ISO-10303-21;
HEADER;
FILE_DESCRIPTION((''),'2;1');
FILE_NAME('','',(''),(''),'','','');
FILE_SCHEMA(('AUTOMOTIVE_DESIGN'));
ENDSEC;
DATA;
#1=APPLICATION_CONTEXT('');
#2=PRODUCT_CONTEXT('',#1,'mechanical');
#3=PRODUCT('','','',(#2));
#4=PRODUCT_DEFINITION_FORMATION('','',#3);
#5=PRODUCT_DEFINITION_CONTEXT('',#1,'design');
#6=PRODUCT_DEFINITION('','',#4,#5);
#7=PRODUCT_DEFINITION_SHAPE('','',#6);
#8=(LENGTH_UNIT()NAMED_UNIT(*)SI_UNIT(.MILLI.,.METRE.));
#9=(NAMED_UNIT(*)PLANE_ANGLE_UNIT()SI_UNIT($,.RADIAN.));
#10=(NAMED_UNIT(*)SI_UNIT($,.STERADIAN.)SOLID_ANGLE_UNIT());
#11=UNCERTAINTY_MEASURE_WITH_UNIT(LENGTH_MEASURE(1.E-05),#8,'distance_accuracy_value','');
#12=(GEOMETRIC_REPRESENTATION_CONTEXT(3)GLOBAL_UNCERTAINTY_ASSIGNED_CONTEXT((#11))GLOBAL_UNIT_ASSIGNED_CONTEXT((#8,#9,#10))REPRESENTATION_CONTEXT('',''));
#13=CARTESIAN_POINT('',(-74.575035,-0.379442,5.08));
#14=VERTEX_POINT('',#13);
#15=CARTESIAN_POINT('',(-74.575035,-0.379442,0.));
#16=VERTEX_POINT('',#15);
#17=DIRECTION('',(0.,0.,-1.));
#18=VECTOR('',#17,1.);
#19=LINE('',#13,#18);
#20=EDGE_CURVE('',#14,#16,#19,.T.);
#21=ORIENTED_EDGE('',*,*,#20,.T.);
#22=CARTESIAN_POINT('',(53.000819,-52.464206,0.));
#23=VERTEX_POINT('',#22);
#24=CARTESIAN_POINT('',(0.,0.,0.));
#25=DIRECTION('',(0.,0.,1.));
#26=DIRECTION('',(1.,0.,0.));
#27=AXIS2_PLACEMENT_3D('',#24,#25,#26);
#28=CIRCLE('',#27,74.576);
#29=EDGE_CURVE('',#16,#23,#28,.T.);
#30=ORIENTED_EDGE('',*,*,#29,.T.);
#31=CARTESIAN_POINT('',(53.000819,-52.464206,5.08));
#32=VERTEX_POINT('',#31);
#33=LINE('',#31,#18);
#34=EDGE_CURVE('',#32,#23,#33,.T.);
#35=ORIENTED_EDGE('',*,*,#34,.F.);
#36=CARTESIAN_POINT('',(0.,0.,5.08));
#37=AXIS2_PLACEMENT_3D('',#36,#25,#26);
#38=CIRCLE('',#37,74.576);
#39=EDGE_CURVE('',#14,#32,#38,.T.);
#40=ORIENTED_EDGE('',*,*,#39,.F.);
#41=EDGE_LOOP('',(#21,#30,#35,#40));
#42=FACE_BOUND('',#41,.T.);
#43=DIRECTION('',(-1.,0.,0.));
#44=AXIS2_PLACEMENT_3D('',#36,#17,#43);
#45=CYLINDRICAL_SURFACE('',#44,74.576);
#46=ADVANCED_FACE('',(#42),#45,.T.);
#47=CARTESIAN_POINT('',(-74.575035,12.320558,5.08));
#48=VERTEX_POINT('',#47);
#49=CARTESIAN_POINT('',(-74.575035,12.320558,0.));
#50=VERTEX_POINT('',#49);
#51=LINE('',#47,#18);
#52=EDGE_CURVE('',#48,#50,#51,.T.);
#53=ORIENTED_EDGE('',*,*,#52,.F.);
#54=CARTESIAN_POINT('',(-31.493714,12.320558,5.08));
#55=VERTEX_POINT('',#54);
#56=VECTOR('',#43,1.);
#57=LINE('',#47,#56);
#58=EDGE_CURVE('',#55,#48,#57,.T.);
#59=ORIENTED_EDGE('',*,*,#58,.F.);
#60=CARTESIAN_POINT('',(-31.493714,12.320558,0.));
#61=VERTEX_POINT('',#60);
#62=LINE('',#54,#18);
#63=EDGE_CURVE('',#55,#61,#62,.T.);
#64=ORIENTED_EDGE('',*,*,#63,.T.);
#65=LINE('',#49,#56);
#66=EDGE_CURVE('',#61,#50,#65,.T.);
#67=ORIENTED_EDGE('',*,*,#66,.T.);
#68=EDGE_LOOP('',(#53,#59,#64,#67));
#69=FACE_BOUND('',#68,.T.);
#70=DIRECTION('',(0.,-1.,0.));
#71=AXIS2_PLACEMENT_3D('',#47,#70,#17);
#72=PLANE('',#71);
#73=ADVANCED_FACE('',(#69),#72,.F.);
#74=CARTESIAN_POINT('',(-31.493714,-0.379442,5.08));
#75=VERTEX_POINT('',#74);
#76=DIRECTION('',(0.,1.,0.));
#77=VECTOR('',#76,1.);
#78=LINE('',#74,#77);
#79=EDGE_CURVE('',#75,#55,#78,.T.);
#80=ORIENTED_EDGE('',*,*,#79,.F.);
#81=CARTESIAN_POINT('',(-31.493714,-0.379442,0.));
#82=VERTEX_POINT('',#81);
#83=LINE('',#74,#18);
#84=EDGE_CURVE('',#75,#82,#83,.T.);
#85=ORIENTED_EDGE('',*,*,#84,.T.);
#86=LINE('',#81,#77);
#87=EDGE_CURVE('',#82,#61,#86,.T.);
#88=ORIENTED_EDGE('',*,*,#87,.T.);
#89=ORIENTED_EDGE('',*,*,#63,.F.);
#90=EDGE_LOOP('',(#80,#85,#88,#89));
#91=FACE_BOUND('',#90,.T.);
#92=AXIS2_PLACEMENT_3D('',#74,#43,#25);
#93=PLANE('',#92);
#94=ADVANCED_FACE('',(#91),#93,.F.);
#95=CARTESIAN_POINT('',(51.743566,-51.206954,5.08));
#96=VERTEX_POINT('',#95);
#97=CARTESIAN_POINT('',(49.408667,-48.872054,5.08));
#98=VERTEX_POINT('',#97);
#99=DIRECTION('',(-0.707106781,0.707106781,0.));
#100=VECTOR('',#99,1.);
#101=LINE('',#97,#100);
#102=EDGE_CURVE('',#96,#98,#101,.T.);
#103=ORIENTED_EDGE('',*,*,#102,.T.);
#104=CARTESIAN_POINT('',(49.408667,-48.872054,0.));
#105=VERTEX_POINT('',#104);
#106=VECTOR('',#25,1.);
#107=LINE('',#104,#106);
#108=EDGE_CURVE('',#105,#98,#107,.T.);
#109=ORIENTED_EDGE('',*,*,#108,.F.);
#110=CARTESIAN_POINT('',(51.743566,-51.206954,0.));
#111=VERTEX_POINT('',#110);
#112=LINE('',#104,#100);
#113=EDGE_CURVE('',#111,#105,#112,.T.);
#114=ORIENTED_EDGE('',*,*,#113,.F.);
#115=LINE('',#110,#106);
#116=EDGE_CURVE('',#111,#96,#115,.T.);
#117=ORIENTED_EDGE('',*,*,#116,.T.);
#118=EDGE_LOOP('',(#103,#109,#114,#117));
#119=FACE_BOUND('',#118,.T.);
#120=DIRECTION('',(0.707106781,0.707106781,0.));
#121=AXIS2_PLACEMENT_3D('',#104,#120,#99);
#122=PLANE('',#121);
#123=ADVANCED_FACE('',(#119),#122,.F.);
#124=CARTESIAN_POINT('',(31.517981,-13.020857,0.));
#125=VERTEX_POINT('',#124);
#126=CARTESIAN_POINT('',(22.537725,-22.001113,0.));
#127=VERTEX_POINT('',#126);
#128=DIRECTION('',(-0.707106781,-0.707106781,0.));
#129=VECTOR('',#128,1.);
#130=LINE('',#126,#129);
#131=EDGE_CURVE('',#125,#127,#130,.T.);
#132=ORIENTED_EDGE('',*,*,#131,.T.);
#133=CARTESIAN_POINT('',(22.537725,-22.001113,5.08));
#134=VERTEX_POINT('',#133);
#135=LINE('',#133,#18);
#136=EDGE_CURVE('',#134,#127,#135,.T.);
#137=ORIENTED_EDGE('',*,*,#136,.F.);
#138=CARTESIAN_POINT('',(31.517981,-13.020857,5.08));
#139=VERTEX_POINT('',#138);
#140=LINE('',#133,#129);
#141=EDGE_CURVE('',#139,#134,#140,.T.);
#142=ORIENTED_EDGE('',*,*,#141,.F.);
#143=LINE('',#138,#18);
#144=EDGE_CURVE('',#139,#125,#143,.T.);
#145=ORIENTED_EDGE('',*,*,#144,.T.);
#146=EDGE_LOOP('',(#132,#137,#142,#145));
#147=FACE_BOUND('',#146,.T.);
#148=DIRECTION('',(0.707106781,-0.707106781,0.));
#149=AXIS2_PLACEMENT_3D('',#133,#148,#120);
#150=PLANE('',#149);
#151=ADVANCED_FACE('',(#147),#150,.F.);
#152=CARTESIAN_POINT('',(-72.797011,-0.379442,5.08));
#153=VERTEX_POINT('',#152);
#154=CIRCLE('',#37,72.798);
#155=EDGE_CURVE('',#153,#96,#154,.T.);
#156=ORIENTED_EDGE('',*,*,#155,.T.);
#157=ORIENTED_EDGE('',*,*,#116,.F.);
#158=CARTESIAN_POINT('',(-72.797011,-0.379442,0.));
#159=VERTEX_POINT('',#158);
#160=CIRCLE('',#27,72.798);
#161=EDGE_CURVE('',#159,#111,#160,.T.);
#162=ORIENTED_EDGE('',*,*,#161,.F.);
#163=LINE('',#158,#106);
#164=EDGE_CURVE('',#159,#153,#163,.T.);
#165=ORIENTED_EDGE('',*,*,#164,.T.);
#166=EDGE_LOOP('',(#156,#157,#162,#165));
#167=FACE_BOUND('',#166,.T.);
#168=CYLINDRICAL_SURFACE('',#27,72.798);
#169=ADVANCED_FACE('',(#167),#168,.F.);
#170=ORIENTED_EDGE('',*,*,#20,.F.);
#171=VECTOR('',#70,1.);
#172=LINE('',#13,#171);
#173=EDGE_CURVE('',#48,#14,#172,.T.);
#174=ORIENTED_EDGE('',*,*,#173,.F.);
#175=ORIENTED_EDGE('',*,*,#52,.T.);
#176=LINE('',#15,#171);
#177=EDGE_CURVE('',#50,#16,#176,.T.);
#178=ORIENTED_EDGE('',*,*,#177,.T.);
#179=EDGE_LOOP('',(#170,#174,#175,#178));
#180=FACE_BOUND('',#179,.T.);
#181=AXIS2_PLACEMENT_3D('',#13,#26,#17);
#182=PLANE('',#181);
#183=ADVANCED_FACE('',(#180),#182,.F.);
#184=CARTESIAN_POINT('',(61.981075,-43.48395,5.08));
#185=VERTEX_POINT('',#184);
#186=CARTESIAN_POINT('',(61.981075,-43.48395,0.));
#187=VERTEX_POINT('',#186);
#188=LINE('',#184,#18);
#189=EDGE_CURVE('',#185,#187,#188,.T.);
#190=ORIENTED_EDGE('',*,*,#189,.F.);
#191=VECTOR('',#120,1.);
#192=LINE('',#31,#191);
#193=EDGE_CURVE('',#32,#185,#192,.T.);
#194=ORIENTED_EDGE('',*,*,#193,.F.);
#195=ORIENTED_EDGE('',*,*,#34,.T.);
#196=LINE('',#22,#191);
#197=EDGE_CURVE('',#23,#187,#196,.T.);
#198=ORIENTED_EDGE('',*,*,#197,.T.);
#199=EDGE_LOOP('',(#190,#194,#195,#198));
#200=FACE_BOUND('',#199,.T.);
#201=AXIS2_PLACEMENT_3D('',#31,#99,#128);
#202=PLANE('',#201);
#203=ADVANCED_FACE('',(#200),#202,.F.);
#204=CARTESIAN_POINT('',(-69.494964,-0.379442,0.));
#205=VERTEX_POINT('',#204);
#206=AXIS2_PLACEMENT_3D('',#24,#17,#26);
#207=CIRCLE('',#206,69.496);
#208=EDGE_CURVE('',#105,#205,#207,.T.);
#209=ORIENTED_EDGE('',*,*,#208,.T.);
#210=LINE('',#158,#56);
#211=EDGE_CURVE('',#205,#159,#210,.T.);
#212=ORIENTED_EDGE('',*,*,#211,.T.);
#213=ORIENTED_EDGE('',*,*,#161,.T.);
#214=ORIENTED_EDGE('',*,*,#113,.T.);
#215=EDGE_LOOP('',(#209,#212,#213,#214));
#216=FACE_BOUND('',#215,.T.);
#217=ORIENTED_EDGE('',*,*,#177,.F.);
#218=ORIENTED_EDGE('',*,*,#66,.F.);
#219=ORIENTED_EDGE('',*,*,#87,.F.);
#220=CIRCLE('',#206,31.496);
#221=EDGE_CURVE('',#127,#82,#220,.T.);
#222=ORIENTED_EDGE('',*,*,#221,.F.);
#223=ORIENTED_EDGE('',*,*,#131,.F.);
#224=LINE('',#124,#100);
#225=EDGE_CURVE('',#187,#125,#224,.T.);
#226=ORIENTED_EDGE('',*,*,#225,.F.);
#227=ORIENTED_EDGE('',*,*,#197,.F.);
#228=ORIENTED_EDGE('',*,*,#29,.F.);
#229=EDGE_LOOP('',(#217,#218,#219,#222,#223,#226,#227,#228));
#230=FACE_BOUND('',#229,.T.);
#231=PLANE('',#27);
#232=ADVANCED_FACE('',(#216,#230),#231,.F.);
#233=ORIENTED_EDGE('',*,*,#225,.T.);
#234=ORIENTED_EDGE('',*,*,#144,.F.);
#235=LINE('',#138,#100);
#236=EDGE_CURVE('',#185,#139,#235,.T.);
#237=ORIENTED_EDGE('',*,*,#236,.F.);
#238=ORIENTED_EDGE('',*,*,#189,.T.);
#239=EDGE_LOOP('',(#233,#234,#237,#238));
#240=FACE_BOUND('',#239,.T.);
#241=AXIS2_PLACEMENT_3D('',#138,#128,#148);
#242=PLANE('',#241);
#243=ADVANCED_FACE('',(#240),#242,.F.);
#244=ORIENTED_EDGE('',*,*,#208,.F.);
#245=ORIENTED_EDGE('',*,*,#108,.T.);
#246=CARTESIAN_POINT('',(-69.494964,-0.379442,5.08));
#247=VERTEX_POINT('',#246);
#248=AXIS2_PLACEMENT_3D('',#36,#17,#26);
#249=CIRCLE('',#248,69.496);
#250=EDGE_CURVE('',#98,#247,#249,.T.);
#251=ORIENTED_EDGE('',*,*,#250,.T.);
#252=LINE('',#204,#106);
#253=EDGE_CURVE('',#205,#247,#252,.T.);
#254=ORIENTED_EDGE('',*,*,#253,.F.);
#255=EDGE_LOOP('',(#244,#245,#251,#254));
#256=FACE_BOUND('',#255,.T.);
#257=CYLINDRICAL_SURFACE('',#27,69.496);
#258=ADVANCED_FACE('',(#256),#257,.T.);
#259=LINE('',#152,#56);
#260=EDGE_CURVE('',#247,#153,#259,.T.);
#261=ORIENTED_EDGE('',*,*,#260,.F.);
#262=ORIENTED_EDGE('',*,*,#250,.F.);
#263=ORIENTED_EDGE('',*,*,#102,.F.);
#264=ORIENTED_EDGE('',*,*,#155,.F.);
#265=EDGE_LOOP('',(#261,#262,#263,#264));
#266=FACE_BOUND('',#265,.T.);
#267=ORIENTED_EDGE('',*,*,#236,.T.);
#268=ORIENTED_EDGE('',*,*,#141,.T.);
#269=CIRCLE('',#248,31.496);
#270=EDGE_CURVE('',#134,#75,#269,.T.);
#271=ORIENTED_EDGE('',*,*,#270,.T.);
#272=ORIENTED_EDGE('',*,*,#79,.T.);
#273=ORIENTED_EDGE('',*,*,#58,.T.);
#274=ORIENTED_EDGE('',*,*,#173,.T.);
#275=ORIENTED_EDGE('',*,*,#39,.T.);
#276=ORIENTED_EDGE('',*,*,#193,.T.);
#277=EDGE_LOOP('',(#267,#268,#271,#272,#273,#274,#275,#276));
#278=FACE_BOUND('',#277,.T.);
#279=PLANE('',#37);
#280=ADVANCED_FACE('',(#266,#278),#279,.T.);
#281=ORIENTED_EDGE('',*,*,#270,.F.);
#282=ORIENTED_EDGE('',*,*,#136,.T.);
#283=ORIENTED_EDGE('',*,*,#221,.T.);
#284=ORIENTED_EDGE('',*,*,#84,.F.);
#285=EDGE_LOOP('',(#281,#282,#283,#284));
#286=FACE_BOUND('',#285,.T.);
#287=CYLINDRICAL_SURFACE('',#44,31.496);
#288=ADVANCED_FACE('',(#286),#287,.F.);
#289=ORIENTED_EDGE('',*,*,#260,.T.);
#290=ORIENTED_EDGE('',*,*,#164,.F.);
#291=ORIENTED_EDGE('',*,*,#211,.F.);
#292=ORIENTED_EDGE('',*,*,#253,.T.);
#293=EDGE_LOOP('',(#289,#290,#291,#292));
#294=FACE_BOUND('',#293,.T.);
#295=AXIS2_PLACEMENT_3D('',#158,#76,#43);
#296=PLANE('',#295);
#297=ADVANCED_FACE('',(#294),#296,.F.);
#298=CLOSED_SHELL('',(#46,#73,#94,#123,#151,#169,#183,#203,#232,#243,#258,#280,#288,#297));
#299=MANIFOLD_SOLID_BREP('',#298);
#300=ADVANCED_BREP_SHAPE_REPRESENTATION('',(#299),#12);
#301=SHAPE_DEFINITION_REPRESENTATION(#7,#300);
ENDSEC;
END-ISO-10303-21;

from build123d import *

# Parameters (mm, degrees)
BOSS_EXTRUDE3_DEPTH = 5.08
CUT_EXTRUDE1_DEPTH  = 106.587982078


with BuildPart() as part:
    # Sketch2 → Boss-Extrude3 (new body)
    with BuildSketch(Plane.XY):
        with BuildLine():
            Line((22.537725188, -22.001112684), (31.517981309, -13.020856563))
            Line((31.517981309, -13.020856563), (61.981075074, -43.483950327))
            Line((61.981075074, -43.483950327), (53.000818953, -52.464206448))
            ThreePointArc((53.000818953, -52.464206448), (-28.188071212, -69.043554437), (-74.575034639, -0.379442341))
            Line((-74.575034639, -0.379442341), (-74.575034639, 12.320557659))
            Line((-74.575034639, 12.320557659), (-31.493714286, 12.320557659))
            Line((-31.493714286, 12.320557659), (-31.493714286, -0.379442341))
            ThreePointArc((-31.493714286, -0.379442341), (-11.701563668, -29.241604329), (22.537725188, -22.001112684))
        make_face()
    extrude(amount=BOSS_EXTRUDE3_DEPTH)

    # Sketch3 → Cut-Extrude1 (cut, through all)
    with BuildSketch(Plane.XY.offset(5.08)):
        with BuildLine():
            Line((-72.797011063, -0.379442341), (-69.494964077, -0.379442341))
            ThreePointArc((-69.494964077, -0.379442341), (-26.244012372, -64.35018122), (49.408666609, -48.872054105))
            Line((49.408666609, -48.872054105), (51.743566425, -51.20695392))
            ThreePointArc((51.743566425, -51.20695392), (-27.507651047, -67.400874846), (-72.797011063, -0.379442341))
        make_face()
    extrude(amount=-CUT_EXTRUDE1_DEPTH, mode=Mode.SUBTRACT)


solid = part.part
